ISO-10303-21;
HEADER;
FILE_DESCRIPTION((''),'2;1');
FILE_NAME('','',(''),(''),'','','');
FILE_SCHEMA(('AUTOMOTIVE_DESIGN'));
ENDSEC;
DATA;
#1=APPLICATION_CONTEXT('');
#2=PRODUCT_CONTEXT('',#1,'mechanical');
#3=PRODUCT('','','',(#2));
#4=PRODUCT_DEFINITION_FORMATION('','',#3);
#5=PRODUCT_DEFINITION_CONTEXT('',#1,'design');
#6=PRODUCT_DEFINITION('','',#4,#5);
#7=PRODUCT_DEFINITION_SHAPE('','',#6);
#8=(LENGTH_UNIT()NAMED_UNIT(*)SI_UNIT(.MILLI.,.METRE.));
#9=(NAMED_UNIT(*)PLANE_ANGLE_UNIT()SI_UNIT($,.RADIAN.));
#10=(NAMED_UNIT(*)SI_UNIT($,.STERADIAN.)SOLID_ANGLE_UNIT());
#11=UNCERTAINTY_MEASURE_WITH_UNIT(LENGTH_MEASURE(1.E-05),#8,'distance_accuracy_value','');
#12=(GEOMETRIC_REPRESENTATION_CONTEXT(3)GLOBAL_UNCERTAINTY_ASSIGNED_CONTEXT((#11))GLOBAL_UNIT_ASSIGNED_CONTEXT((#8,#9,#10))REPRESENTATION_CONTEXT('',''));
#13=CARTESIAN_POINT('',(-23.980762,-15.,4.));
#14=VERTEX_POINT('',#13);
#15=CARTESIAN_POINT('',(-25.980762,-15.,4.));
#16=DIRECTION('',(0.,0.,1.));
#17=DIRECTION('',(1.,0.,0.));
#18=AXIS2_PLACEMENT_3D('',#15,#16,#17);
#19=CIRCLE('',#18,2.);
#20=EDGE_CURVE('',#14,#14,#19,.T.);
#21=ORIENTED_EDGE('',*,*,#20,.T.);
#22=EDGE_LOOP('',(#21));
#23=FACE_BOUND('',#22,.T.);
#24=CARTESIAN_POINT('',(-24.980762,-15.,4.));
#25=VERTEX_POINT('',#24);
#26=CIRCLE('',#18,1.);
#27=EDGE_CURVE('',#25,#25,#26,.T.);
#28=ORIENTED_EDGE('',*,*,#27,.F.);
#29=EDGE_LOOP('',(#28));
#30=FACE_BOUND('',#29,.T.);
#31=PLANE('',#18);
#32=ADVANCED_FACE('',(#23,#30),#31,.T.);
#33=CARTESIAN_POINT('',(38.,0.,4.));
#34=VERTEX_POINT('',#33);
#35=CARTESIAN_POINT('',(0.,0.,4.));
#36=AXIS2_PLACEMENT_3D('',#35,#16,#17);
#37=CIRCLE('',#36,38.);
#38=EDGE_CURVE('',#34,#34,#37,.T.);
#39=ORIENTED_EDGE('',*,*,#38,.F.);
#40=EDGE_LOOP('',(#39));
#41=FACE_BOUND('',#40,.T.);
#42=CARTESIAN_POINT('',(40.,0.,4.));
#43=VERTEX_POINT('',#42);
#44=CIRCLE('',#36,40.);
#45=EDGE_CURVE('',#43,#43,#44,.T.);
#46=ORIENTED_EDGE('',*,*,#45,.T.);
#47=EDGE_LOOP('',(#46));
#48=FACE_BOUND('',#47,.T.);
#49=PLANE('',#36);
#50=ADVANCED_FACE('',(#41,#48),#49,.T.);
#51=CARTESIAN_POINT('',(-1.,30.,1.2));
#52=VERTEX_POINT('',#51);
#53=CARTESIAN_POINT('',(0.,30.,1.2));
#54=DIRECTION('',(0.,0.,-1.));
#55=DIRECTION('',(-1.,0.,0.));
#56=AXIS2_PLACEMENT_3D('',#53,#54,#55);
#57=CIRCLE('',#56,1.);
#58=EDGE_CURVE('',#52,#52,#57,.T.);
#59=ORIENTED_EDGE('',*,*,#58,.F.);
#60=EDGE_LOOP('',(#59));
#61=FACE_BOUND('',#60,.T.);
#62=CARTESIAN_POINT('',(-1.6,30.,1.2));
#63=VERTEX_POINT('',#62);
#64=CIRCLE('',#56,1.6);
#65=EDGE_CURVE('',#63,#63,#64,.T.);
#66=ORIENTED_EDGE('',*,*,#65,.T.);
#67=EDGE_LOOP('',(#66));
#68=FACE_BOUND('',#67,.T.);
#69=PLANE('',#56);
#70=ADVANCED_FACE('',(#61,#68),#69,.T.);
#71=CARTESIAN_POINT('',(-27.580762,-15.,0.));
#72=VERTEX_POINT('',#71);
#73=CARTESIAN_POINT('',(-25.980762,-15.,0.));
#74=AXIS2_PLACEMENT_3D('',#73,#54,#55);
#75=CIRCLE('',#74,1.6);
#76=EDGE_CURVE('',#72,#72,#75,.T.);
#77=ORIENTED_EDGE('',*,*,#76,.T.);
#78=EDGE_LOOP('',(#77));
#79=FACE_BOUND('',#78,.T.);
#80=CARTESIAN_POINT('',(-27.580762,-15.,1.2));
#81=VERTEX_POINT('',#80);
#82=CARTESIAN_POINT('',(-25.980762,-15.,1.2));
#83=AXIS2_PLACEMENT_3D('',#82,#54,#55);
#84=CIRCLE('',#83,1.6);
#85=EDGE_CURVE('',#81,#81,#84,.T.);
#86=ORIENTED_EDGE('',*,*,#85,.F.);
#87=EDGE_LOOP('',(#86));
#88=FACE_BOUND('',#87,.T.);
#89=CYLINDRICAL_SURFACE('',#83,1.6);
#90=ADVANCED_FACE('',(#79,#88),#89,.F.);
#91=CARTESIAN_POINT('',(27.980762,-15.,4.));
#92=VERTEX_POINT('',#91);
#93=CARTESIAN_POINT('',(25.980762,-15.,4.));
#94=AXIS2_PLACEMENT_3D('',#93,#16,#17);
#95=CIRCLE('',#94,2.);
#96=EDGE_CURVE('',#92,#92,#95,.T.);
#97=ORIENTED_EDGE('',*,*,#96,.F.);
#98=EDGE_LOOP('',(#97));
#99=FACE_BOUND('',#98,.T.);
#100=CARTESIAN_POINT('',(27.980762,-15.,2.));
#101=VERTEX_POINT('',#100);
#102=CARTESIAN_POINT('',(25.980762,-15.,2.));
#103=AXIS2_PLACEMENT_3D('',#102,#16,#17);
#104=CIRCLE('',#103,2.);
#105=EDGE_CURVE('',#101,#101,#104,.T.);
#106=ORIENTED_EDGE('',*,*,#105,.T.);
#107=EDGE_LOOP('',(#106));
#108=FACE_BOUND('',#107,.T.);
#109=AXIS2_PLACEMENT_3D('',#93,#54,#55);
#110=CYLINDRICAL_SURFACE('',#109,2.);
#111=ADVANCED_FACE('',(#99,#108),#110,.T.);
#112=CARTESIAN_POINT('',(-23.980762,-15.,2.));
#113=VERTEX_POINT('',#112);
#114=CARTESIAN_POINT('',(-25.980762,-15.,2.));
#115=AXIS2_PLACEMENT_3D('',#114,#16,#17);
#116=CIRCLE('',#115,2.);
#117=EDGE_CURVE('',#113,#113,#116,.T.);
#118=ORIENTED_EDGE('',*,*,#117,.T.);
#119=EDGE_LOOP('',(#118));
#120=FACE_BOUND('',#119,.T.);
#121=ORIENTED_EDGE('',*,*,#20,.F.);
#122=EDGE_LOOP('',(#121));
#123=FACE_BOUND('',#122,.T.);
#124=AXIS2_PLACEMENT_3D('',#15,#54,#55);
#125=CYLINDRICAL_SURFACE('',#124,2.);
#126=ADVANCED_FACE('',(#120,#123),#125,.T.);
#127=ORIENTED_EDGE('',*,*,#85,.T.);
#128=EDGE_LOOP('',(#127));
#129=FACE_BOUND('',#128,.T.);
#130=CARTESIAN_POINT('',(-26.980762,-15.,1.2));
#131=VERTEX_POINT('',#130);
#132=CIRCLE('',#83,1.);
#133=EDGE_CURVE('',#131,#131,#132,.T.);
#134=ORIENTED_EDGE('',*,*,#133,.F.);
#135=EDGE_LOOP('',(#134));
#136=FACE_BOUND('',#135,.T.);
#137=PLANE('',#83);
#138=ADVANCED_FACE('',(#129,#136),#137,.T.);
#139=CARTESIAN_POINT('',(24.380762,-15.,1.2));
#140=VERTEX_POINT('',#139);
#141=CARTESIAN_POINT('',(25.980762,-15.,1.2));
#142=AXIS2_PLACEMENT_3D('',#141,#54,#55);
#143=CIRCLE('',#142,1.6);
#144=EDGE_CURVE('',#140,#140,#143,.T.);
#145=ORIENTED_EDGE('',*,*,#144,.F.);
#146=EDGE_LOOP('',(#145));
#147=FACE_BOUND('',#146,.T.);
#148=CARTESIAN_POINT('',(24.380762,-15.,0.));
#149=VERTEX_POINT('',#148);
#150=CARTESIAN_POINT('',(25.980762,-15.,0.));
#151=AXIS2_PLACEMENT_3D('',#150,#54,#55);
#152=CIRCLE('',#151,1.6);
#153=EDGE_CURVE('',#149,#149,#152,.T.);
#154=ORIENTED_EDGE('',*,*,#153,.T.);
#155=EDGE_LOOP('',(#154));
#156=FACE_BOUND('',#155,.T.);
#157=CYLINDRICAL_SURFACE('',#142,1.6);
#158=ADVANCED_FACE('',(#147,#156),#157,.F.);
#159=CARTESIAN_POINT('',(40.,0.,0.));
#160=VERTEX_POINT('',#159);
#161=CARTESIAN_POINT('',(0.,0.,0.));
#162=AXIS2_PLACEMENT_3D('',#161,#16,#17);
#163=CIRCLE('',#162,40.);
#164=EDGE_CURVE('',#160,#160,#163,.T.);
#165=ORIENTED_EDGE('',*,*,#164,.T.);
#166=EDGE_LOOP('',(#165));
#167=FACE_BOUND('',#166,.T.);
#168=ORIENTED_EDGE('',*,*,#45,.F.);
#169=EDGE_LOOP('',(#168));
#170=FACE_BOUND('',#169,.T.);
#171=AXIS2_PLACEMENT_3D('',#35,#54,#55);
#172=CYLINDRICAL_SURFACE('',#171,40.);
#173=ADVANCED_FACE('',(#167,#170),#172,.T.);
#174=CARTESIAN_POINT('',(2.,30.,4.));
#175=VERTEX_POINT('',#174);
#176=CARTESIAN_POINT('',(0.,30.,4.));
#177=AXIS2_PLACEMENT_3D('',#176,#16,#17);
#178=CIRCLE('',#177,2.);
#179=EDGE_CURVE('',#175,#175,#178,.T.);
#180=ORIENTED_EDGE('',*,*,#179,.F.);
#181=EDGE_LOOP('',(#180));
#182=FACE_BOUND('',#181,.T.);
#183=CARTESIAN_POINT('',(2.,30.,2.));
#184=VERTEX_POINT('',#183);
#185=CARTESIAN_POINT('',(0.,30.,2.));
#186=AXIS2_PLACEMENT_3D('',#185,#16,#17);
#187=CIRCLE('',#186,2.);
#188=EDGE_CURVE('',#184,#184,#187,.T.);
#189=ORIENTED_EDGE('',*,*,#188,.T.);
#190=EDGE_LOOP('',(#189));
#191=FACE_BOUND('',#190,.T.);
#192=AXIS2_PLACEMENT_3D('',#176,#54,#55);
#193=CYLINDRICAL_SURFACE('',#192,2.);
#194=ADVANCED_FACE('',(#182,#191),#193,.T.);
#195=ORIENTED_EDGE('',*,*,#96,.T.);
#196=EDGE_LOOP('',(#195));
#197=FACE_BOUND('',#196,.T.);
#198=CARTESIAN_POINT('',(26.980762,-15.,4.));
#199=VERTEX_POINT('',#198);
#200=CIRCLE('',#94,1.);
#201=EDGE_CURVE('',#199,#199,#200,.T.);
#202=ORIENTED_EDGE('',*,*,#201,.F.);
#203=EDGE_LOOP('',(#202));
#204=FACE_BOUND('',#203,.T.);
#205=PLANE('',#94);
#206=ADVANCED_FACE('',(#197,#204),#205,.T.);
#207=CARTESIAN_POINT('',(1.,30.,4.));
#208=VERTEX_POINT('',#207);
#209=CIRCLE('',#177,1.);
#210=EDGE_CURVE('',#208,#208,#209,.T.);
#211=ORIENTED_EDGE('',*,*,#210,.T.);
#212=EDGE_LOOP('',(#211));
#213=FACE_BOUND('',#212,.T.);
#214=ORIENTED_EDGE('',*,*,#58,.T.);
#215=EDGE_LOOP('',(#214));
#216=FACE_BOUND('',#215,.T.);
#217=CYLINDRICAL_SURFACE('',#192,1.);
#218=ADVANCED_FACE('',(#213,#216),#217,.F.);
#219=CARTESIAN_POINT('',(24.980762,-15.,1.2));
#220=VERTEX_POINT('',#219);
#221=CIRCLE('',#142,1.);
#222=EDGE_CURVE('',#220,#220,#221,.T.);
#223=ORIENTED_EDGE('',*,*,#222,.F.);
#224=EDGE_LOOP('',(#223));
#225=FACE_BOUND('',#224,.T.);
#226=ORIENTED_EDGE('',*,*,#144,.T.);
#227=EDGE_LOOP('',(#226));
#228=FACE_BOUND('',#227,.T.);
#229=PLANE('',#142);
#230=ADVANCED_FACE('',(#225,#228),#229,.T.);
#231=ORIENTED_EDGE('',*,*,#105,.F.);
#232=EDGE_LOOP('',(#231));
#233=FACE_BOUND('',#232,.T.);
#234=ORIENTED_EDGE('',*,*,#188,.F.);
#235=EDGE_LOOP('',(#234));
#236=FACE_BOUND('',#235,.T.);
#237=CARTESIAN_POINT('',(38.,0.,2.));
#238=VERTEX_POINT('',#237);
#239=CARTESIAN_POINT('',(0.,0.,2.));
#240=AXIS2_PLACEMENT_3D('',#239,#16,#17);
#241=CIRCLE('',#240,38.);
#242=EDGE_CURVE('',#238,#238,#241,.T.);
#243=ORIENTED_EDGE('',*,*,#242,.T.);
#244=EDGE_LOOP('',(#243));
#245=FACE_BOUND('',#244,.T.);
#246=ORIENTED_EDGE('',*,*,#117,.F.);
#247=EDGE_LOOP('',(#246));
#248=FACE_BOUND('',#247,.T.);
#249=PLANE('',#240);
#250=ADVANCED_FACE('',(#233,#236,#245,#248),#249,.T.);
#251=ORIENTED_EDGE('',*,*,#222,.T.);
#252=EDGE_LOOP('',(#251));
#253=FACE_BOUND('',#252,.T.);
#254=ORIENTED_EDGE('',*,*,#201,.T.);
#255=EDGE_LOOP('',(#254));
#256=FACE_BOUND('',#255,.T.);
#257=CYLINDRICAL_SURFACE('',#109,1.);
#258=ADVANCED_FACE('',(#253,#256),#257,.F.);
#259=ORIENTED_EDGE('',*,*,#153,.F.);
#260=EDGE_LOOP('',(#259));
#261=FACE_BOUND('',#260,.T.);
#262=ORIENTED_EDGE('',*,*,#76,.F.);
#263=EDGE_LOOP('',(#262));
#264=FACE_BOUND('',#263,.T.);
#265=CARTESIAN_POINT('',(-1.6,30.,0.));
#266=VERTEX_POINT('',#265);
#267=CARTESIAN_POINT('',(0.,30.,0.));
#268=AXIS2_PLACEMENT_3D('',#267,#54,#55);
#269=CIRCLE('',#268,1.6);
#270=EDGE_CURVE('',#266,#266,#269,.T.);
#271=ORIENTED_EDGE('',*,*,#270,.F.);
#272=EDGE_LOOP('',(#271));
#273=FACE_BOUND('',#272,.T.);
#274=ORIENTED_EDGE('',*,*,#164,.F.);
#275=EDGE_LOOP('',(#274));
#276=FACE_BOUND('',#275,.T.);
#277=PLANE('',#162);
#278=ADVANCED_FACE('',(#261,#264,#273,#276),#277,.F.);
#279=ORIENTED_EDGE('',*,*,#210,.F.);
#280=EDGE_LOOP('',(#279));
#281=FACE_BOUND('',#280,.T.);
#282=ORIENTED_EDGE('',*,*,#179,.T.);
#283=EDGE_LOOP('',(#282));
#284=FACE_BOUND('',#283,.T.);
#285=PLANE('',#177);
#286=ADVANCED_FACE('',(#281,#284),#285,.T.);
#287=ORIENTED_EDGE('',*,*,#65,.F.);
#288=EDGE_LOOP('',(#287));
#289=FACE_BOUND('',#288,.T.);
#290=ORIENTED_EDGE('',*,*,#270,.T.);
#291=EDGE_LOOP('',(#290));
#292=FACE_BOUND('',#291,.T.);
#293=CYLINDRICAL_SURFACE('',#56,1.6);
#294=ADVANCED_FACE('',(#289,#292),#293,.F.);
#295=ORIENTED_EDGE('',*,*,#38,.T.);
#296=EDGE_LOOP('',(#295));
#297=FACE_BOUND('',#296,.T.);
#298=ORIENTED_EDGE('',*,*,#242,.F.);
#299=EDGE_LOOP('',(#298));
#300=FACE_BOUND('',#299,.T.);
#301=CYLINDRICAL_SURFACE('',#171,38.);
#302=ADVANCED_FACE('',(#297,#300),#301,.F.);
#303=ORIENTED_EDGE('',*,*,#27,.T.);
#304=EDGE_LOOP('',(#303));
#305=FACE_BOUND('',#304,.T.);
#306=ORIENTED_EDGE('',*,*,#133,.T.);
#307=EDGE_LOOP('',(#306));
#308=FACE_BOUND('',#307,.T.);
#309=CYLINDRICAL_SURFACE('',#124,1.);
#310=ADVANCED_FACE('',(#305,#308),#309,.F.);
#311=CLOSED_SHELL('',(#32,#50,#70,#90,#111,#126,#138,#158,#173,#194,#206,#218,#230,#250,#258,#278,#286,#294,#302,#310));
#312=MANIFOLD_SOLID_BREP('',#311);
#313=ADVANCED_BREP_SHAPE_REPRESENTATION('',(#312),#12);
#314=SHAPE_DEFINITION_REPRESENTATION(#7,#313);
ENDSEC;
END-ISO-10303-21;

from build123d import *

# Parameters (mm, degrees)
SKETCH_1_R          = 40
EXTRUDE_1_DEPTH     = 4
SHELL_1_T           = -2
SKETCH_2_R          = 2
SKETCH_2_R_2        = 1
EXTRUDE_2_DEPTH     = 2
SKETCH_3_R          = 1
CUT_EXTRUDE_1_DEPTH = 20
SKETCH_4_R          = 1.6
CUT_EXTRUDE_2_DEPTH = 1.2


with BuildPart() as part:
    # 草图1 → 凸台-拉伸1 (new body)
    with BuildSketch(Plane.XY):
        Circle(SKETCH_1_R)
    extrude(amount=EXTRUDE_1_DEPTH)

    # 抽壳1
    shell_1_openings = [part.faces().sort_by_distance(p)[0] for p in [
        (0, 0, 4),
    ]]
    offset(amount=SHELL_1_T, openings=shell_1_openings, kind=Kind.INTERSECTION)

    # 草图2 → 凸台-拉伸2 (add)
    with BuildSketch(Plane.XY.offset(2)):
        with Locations((0, 30)):
            Circle(SKETCH_2_R)
        with Locations((0, 30)):
            Circle(SKETCH_2_R_2, mode=Mode.SUBTRACT)
        with Locations((25.980762114, -15)):
            Circle(SKETCH_2_R)
        with Locations((25.980762114, -15)):
            Circle(SKETCH_2_R_2, mode=Mode.SUBTRACT)
        with Locations((-25.980762114, -15)):
            Circle(SKETCH_2_R)
        with Locations((-25.980762114, -15)):
            Circle(SKETCH_2_R_2, mode=Mode.SUBTRACT)
    extrude(amount=EXTRUDE_2_DEPTH)

    # 草图3 → 切除-拉伸1 (cut)
    with BuildSketch(Plane.XY.offset(4)):
        with Locations((25.980762114, -15)):
            Circle(SKETCH_3_R)
        with Locations((-25.980762114, -15)):
            Circle(SKETCH_3_R)
        with Locations((0, 30)):
            Circle(SKETCH_3_R)
    extrude(amount=-CUT_EXTRUDE_1_DEPTH, mode=Mode.SUBTRACT)

    # 草图4 → 切除-拉伸2 (cut)
    with BuildSketch(Plane(origin=(0, 0, 0), x_dir=(-1, 0, 0), z_dir=(0, 0, -1))):
        with Locations((-25.980762114, -15)):
            Circle(SKETCH_4_R)
        with Locations((0, 30)):
            Circle(SKETCH_4_R)
        with Locations((25.980762114, -15)):
            Circle(SKETCH_4_R)
    extrude(amount=-CUT_EXTRUDE_2_DEPTH, mode=Mode.SUBTRACT)


solid = part.part
